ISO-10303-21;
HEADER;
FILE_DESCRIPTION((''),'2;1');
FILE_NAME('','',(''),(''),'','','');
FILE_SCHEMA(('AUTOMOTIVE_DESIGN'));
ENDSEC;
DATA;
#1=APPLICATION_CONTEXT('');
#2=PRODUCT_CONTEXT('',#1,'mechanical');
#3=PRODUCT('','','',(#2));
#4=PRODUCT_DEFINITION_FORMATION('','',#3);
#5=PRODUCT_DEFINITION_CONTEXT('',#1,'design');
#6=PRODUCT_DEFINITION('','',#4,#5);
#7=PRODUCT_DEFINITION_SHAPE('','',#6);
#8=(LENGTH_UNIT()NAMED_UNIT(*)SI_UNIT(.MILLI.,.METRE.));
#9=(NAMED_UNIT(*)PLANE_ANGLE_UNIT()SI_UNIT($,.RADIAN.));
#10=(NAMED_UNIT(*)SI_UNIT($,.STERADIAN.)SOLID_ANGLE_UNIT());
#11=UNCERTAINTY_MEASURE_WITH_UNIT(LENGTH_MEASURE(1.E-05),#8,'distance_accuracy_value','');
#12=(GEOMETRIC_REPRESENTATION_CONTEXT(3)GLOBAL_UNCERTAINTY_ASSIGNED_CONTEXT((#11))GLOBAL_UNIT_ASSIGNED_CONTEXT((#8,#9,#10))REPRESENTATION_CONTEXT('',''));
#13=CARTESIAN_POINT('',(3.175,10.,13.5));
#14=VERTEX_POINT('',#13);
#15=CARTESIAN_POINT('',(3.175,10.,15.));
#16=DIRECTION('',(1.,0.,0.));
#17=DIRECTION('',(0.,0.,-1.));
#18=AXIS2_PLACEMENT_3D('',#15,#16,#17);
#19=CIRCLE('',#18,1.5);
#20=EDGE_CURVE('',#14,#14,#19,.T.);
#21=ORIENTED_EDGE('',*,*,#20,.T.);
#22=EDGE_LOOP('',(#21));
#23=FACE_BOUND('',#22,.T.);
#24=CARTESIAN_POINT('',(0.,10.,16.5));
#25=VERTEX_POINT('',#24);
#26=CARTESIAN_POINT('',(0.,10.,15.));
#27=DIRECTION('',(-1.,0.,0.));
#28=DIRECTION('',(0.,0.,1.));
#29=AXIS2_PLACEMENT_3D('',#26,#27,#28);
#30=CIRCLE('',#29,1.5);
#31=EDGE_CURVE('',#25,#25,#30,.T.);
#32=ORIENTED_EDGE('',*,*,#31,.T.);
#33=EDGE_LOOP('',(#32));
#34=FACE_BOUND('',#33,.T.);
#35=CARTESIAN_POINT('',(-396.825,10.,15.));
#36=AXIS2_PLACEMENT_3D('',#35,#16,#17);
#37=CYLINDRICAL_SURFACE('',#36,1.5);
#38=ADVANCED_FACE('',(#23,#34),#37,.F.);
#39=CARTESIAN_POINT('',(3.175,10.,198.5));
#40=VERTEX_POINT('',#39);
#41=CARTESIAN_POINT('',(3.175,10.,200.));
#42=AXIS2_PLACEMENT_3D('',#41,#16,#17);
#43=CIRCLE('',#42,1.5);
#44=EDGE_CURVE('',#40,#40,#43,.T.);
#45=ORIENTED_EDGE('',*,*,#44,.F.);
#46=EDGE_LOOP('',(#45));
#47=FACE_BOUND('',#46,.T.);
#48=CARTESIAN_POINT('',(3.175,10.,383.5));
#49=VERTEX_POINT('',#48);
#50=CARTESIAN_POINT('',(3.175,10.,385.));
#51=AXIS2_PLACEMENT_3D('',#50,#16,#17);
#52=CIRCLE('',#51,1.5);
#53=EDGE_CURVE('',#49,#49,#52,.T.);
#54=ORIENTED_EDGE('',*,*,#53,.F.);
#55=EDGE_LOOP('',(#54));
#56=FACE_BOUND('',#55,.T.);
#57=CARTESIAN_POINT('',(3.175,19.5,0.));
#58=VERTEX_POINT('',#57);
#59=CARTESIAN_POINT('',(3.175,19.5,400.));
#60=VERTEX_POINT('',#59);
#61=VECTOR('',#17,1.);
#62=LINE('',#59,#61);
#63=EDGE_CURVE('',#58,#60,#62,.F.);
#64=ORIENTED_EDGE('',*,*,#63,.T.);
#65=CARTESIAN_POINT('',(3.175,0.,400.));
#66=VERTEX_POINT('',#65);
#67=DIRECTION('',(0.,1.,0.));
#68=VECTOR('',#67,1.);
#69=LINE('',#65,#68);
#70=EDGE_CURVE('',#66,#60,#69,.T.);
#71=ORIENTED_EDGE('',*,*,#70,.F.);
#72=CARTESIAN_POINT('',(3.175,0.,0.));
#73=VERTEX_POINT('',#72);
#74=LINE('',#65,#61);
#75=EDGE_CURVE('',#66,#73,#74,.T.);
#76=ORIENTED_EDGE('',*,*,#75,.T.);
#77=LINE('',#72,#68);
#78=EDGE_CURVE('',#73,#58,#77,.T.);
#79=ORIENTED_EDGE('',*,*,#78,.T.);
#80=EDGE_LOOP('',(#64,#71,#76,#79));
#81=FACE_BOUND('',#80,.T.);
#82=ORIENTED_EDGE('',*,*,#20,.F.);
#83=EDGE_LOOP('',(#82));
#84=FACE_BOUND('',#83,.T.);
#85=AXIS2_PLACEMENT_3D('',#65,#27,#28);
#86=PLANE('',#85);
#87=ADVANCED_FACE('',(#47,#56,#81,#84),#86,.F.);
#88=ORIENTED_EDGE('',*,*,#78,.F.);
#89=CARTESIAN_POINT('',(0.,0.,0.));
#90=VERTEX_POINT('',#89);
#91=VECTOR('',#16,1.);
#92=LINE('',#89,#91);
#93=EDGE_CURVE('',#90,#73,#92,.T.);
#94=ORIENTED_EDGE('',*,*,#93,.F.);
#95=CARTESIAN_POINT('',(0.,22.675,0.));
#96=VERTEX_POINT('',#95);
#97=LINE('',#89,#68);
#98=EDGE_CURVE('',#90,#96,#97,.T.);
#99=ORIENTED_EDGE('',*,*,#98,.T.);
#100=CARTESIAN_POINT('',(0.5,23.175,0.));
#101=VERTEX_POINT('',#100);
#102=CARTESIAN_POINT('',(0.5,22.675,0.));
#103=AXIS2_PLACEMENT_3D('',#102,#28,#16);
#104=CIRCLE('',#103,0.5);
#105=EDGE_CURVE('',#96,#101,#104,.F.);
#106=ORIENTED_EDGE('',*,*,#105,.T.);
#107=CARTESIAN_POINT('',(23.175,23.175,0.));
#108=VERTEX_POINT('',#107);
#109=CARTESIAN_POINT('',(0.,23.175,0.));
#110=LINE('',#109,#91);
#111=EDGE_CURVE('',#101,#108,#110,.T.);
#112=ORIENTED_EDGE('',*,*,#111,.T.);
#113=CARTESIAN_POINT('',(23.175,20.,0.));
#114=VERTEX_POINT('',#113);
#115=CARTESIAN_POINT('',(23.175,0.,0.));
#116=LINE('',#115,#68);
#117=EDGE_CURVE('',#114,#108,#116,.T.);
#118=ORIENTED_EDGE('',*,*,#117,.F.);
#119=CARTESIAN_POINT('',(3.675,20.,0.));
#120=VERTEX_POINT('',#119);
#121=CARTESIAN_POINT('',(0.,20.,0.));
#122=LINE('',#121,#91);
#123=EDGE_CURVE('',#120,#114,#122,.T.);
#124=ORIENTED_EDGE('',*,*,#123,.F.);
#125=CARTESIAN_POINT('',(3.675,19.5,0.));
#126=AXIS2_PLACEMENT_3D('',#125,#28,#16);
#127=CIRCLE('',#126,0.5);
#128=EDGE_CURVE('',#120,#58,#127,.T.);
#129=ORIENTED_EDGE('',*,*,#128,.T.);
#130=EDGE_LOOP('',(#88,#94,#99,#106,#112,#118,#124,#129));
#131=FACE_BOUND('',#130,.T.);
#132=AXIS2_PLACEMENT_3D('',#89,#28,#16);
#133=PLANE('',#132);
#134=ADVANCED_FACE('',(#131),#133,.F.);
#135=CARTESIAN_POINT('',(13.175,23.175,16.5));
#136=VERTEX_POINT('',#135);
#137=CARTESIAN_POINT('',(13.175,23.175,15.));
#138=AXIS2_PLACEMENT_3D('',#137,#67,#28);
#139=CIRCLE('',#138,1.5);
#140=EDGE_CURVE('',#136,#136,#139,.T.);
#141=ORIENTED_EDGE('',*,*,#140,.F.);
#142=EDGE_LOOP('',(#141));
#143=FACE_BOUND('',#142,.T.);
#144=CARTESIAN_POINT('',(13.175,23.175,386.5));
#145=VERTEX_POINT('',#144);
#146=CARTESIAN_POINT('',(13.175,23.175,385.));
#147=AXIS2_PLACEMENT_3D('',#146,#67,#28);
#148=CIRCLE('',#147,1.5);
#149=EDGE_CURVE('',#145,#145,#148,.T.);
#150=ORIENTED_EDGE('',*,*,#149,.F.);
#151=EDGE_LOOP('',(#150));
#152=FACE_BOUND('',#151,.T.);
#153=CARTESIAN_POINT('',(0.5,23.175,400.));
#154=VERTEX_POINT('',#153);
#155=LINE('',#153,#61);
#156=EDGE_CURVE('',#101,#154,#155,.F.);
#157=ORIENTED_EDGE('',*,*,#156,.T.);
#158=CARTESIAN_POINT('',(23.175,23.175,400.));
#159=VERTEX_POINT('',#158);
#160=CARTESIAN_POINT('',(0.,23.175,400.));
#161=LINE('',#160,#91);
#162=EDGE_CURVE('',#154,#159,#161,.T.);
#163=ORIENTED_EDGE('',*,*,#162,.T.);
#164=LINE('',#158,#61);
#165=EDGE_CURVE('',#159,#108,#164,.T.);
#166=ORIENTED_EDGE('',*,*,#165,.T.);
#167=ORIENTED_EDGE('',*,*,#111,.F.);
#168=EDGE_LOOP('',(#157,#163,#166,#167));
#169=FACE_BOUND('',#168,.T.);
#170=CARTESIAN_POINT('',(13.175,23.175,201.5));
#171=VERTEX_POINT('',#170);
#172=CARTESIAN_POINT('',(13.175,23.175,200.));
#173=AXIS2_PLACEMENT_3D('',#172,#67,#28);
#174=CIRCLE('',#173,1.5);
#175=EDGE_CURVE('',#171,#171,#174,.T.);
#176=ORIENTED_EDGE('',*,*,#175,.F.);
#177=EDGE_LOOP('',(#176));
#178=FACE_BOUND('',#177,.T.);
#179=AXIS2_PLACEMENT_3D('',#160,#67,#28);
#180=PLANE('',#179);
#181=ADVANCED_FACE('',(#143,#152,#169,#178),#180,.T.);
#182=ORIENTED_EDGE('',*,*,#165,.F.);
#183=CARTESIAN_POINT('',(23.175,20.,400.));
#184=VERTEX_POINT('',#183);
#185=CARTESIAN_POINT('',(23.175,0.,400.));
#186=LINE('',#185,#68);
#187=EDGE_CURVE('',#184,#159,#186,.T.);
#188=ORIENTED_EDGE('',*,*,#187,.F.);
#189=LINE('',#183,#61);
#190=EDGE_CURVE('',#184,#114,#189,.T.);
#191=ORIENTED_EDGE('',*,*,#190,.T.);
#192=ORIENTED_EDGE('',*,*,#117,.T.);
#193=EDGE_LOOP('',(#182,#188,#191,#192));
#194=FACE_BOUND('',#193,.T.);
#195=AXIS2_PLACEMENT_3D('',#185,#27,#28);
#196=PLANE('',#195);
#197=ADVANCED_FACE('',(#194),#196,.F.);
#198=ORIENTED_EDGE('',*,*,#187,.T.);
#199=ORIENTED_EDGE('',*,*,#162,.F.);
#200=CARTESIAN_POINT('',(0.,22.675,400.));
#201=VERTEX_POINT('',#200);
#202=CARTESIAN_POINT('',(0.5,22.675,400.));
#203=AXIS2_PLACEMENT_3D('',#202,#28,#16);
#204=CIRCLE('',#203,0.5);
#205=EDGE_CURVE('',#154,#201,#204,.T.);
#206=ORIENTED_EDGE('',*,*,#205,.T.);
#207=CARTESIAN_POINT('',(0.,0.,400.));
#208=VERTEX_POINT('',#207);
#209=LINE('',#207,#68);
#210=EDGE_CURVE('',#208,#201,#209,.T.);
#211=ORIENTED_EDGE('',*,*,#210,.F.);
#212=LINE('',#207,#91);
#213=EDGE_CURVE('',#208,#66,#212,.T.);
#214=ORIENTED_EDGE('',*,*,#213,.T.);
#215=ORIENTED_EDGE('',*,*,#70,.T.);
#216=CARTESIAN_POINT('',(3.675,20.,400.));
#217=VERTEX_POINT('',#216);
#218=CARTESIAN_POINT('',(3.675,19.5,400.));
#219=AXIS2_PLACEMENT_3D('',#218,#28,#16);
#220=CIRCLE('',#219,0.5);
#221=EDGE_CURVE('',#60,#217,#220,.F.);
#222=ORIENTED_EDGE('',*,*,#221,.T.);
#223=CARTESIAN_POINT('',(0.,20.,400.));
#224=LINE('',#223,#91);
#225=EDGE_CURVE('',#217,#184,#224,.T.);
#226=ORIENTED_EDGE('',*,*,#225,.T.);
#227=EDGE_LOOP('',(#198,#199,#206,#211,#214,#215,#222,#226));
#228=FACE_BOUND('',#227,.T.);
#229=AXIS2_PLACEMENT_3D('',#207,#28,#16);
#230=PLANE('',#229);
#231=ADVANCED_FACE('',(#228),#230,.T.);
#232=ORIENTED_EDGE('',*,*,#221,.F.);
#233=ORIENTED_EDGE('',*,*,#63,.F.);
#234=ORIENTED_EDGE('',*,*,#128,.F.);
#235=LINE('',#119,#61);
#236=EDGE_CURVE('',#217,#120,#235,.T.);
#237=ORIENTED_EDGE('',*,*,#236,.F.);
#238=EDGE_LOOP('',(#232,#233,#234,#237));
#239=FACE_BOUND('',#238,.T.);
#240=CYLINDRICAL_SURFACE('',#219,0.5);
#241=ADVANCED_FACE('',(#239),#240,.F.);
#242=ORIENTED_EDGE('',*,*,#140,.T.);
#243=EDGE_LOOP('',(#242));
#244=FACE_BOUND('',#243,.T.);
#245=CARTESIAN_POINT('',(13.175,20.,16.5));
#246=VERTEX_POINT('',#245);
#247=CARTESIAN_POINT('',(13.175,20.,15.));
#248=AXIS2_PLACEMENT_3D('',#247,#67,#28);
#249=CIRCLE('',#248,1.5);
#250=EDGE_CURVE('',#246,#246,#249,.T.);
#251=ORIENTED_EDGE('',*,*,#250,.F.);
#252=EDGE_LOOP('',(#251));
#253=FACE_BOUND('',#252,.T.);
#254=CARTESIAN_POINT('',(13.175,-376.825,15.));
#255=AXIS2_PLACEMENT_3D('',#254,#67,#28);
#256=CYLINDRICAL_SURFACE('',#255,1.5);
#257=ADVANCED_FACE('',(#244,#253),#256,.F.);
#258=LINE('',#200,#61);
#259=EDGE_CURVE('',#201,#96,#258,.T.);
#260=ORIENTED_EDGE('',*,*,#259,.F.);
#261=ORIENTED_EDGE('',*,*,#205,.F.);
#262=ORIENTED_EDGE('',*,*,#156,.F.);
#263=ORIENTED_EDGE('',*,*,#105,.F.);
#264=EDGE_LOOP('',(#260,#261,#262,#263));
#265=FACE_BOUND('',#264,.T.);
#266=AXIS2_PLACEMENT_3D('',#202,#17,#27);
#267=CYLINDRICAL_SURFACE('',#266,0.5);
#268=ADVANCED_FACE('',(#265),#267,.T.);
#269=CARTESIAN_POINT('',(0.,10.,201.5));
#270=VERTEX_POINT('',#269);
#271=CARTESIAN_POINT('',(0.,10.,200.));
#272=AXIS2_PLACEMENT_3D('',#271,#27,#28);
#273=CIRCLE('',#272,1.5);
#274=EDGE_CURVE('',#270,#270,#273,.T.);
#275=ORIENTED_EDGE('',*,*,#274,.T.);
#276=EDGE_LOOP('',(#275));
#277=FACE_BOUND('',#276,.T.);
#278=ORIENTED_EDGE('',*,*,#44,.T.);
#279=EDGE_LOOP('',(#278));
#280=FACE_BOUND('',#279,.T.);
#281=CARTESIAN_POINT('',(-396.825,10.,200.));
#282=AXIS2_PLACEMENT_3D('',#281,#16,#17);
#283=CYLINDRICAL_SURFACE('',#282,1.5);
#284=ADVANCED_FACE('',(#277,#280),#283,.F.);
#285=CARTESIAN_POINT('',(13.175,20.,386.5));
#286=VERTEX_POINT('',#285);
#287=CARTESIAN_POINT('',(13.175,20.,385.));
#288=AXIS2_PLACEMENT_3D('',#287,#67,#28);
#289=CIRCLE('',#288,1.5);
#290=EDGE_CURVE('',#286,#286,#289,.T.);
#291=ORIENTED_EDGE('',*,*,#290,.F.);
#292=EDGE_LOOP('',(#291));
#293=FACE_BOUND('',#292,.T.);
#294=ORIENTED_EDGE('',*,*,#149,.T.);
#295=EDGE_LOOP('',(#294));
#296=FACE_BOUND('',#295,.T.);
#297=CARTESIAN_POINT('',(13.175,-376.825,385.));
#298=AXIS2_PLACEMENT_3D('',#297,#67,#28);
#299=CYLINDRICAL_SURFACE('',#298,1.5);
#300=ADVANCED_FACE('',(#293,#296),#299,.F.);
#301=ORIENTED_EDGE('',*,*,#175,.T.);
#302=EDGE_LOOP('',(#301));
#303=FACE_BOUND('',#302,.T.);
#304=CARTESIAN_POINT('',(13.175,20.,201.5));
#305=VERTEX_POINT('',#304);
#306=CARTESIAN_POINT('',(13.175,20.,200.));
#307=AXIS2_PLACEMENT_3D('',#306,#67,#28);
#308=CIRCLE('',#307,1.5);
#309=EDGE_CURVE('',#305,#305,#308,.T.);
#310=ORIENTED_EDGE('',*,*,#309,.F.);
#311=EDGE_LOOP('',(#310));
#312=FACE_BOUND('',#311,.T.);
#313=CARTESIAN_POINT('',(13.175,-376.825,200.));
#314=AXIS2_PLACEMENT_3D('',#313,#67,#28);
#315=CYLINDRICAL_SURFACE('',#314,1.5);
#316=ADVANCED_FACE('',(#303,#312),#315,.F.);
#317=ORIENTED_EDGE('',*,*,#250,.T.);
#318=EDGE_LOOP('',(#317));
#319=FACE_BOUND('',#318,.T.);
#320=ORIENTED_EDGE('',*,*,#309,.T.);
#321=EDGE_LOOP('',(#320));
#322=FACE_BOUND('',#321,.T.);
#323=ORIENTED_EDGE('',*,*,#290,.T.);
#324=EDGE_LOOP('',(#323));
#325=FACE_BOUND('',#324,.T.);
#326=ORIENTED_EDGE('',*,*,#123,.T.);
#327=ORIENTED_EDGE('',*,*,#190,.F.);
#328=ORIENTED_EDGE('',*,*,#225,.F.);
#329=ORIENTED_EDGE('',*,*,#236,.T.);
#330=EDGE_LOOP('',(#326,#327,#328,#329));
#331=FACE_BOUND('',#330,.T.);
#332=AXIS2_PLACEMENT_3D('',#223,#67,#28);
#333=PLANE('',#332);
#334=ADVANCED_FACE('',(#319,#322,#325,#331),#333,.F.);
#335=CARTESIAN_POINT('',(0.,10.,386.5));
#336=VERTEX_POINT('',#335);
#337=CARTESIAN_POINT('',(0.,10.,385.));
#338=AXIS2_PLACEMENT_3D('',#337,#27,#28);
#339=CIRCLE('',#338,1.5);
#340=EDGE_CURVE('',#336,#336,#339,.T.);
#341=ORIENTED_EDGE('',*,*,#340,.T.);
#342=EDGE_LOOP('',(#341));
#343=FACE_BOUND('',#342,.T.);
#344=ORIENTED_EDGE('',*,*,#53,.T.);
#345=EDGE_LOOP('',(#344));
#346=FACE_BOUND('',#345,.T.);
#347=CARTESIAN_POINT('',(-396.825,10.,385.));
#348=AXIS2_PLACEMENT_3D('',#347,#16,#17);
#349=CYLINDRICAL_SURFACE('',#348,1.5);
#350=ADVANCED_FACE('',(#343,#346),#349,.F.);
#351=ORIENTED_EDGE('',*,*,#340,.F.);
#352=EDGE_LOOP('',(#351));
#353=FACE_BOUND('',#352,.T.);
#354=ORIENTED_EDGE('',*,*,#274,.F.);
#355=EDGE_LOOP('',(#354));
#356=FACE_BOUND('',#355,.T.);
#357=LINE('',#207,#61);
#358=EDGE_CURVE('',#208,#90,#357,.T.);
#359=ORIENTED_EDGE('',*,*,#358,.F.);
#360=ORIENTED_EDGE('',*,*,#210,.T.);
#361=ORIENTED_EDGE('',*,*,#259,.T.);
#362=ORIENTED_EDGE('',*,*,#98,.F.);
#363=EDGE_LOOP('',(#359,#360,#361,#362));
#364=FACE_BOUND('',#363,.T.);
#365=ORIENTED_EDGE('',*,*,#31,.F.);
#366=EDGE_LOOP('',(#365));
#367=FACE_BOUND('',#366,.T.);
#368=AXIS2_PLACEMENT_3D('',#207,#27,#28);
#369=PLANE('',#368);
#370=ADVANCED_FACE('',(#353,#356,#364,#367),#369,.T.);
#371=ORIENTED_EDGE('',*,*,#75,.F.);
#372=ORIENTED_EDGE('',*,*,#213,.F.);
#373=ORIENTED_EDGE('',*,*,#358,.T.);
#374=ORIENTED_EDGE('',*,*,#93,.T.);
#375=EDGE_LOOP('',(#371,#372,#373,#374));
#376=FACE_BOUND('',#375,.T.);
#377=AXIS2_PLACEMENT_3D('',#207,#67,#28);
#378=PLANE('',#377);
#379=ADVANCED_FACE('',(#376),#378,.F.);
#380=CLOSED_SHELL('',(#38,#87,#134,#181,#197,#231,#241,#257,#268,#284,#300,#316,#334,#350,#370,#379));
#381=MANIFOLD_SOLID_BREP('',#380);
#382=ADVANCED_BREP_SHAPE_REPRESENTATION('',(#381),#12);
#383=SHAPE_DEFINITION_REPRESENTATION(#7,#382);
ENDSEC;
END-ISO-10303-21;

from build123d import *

# Parameters (mm, degrees)
SKETCH1_W           = 3.175
SKETCH1_H           = 20
BOSS_EXTRUDE1_DEPTH = 400
SKETCH3_R           = 1.5
CUT_EXTRUDE1_DEPTH  = 400
SKETCH4_R           = 1.5
CUT_EXTRUDE2_DEPTH  = 400
FILLET1_R           = 0.5


with BuildPart() as part:
    # Sketch1 → Boss-Extrude1 (new body)
    with BuildSketch(Plane.XY):
        with Locations((1.5875, 10)):
            Rectangle(SKETCH1_W, SKETCH1_H)
        Polygon((0, 23.175), (0, 20), (3.175, 20), (23.175, 20), (23.175, 23.175), align=None)
    extrude(amount=BOSS_EXTRUDE1_DEPTH)

    # Sketch3 → Cut-Extrude1 (cut)
    with BuildSketch(Plane(origin=(0, 23.175, 0), x_dir=(1, 0, 0), z_dir=(0, 1, 0))):
        with Locations((13.175, -200)):
            Circle(SKETCH3_R)
        with Locations((13.175, -385)):
            Circle(SKETCH3_R)
        with Locations((13.175, -15)):
            Circle(SKETCH3_R)
    extrude(amount=-CUT_EXTRUDE1_DEPTH, mode=Mode.SUBTRACT)

    # Sketch4 → Cut-Extrude2 (cut)
    with BuildSketch(Plane(origin=(3.175, 0, 0), x_dir=(0, 0, -1), z_dir=(1, 0, 0))):
        with Locations((-385, 10)):
            Circle(SKETCH4_R)
        with Locations((-200, 10)):
            Circle(SKETCH4_R)
        with Locations((-15, 10)):
            Circle(SKETCH4_R)
    extrude(amount=-CUT_EXTRUDE2_DEPTH, mode=Mode.SUBTRACT)

    # Fillet1
    fillet1_edges = [part.edges().sort_by_distance(p)[0] for p in [
        (0, 23.175, 200),
        (3.175, 20, 200),
    ]]
    fillet(fillet1_edges, radius=FILLET1_R)


solid = part.part
